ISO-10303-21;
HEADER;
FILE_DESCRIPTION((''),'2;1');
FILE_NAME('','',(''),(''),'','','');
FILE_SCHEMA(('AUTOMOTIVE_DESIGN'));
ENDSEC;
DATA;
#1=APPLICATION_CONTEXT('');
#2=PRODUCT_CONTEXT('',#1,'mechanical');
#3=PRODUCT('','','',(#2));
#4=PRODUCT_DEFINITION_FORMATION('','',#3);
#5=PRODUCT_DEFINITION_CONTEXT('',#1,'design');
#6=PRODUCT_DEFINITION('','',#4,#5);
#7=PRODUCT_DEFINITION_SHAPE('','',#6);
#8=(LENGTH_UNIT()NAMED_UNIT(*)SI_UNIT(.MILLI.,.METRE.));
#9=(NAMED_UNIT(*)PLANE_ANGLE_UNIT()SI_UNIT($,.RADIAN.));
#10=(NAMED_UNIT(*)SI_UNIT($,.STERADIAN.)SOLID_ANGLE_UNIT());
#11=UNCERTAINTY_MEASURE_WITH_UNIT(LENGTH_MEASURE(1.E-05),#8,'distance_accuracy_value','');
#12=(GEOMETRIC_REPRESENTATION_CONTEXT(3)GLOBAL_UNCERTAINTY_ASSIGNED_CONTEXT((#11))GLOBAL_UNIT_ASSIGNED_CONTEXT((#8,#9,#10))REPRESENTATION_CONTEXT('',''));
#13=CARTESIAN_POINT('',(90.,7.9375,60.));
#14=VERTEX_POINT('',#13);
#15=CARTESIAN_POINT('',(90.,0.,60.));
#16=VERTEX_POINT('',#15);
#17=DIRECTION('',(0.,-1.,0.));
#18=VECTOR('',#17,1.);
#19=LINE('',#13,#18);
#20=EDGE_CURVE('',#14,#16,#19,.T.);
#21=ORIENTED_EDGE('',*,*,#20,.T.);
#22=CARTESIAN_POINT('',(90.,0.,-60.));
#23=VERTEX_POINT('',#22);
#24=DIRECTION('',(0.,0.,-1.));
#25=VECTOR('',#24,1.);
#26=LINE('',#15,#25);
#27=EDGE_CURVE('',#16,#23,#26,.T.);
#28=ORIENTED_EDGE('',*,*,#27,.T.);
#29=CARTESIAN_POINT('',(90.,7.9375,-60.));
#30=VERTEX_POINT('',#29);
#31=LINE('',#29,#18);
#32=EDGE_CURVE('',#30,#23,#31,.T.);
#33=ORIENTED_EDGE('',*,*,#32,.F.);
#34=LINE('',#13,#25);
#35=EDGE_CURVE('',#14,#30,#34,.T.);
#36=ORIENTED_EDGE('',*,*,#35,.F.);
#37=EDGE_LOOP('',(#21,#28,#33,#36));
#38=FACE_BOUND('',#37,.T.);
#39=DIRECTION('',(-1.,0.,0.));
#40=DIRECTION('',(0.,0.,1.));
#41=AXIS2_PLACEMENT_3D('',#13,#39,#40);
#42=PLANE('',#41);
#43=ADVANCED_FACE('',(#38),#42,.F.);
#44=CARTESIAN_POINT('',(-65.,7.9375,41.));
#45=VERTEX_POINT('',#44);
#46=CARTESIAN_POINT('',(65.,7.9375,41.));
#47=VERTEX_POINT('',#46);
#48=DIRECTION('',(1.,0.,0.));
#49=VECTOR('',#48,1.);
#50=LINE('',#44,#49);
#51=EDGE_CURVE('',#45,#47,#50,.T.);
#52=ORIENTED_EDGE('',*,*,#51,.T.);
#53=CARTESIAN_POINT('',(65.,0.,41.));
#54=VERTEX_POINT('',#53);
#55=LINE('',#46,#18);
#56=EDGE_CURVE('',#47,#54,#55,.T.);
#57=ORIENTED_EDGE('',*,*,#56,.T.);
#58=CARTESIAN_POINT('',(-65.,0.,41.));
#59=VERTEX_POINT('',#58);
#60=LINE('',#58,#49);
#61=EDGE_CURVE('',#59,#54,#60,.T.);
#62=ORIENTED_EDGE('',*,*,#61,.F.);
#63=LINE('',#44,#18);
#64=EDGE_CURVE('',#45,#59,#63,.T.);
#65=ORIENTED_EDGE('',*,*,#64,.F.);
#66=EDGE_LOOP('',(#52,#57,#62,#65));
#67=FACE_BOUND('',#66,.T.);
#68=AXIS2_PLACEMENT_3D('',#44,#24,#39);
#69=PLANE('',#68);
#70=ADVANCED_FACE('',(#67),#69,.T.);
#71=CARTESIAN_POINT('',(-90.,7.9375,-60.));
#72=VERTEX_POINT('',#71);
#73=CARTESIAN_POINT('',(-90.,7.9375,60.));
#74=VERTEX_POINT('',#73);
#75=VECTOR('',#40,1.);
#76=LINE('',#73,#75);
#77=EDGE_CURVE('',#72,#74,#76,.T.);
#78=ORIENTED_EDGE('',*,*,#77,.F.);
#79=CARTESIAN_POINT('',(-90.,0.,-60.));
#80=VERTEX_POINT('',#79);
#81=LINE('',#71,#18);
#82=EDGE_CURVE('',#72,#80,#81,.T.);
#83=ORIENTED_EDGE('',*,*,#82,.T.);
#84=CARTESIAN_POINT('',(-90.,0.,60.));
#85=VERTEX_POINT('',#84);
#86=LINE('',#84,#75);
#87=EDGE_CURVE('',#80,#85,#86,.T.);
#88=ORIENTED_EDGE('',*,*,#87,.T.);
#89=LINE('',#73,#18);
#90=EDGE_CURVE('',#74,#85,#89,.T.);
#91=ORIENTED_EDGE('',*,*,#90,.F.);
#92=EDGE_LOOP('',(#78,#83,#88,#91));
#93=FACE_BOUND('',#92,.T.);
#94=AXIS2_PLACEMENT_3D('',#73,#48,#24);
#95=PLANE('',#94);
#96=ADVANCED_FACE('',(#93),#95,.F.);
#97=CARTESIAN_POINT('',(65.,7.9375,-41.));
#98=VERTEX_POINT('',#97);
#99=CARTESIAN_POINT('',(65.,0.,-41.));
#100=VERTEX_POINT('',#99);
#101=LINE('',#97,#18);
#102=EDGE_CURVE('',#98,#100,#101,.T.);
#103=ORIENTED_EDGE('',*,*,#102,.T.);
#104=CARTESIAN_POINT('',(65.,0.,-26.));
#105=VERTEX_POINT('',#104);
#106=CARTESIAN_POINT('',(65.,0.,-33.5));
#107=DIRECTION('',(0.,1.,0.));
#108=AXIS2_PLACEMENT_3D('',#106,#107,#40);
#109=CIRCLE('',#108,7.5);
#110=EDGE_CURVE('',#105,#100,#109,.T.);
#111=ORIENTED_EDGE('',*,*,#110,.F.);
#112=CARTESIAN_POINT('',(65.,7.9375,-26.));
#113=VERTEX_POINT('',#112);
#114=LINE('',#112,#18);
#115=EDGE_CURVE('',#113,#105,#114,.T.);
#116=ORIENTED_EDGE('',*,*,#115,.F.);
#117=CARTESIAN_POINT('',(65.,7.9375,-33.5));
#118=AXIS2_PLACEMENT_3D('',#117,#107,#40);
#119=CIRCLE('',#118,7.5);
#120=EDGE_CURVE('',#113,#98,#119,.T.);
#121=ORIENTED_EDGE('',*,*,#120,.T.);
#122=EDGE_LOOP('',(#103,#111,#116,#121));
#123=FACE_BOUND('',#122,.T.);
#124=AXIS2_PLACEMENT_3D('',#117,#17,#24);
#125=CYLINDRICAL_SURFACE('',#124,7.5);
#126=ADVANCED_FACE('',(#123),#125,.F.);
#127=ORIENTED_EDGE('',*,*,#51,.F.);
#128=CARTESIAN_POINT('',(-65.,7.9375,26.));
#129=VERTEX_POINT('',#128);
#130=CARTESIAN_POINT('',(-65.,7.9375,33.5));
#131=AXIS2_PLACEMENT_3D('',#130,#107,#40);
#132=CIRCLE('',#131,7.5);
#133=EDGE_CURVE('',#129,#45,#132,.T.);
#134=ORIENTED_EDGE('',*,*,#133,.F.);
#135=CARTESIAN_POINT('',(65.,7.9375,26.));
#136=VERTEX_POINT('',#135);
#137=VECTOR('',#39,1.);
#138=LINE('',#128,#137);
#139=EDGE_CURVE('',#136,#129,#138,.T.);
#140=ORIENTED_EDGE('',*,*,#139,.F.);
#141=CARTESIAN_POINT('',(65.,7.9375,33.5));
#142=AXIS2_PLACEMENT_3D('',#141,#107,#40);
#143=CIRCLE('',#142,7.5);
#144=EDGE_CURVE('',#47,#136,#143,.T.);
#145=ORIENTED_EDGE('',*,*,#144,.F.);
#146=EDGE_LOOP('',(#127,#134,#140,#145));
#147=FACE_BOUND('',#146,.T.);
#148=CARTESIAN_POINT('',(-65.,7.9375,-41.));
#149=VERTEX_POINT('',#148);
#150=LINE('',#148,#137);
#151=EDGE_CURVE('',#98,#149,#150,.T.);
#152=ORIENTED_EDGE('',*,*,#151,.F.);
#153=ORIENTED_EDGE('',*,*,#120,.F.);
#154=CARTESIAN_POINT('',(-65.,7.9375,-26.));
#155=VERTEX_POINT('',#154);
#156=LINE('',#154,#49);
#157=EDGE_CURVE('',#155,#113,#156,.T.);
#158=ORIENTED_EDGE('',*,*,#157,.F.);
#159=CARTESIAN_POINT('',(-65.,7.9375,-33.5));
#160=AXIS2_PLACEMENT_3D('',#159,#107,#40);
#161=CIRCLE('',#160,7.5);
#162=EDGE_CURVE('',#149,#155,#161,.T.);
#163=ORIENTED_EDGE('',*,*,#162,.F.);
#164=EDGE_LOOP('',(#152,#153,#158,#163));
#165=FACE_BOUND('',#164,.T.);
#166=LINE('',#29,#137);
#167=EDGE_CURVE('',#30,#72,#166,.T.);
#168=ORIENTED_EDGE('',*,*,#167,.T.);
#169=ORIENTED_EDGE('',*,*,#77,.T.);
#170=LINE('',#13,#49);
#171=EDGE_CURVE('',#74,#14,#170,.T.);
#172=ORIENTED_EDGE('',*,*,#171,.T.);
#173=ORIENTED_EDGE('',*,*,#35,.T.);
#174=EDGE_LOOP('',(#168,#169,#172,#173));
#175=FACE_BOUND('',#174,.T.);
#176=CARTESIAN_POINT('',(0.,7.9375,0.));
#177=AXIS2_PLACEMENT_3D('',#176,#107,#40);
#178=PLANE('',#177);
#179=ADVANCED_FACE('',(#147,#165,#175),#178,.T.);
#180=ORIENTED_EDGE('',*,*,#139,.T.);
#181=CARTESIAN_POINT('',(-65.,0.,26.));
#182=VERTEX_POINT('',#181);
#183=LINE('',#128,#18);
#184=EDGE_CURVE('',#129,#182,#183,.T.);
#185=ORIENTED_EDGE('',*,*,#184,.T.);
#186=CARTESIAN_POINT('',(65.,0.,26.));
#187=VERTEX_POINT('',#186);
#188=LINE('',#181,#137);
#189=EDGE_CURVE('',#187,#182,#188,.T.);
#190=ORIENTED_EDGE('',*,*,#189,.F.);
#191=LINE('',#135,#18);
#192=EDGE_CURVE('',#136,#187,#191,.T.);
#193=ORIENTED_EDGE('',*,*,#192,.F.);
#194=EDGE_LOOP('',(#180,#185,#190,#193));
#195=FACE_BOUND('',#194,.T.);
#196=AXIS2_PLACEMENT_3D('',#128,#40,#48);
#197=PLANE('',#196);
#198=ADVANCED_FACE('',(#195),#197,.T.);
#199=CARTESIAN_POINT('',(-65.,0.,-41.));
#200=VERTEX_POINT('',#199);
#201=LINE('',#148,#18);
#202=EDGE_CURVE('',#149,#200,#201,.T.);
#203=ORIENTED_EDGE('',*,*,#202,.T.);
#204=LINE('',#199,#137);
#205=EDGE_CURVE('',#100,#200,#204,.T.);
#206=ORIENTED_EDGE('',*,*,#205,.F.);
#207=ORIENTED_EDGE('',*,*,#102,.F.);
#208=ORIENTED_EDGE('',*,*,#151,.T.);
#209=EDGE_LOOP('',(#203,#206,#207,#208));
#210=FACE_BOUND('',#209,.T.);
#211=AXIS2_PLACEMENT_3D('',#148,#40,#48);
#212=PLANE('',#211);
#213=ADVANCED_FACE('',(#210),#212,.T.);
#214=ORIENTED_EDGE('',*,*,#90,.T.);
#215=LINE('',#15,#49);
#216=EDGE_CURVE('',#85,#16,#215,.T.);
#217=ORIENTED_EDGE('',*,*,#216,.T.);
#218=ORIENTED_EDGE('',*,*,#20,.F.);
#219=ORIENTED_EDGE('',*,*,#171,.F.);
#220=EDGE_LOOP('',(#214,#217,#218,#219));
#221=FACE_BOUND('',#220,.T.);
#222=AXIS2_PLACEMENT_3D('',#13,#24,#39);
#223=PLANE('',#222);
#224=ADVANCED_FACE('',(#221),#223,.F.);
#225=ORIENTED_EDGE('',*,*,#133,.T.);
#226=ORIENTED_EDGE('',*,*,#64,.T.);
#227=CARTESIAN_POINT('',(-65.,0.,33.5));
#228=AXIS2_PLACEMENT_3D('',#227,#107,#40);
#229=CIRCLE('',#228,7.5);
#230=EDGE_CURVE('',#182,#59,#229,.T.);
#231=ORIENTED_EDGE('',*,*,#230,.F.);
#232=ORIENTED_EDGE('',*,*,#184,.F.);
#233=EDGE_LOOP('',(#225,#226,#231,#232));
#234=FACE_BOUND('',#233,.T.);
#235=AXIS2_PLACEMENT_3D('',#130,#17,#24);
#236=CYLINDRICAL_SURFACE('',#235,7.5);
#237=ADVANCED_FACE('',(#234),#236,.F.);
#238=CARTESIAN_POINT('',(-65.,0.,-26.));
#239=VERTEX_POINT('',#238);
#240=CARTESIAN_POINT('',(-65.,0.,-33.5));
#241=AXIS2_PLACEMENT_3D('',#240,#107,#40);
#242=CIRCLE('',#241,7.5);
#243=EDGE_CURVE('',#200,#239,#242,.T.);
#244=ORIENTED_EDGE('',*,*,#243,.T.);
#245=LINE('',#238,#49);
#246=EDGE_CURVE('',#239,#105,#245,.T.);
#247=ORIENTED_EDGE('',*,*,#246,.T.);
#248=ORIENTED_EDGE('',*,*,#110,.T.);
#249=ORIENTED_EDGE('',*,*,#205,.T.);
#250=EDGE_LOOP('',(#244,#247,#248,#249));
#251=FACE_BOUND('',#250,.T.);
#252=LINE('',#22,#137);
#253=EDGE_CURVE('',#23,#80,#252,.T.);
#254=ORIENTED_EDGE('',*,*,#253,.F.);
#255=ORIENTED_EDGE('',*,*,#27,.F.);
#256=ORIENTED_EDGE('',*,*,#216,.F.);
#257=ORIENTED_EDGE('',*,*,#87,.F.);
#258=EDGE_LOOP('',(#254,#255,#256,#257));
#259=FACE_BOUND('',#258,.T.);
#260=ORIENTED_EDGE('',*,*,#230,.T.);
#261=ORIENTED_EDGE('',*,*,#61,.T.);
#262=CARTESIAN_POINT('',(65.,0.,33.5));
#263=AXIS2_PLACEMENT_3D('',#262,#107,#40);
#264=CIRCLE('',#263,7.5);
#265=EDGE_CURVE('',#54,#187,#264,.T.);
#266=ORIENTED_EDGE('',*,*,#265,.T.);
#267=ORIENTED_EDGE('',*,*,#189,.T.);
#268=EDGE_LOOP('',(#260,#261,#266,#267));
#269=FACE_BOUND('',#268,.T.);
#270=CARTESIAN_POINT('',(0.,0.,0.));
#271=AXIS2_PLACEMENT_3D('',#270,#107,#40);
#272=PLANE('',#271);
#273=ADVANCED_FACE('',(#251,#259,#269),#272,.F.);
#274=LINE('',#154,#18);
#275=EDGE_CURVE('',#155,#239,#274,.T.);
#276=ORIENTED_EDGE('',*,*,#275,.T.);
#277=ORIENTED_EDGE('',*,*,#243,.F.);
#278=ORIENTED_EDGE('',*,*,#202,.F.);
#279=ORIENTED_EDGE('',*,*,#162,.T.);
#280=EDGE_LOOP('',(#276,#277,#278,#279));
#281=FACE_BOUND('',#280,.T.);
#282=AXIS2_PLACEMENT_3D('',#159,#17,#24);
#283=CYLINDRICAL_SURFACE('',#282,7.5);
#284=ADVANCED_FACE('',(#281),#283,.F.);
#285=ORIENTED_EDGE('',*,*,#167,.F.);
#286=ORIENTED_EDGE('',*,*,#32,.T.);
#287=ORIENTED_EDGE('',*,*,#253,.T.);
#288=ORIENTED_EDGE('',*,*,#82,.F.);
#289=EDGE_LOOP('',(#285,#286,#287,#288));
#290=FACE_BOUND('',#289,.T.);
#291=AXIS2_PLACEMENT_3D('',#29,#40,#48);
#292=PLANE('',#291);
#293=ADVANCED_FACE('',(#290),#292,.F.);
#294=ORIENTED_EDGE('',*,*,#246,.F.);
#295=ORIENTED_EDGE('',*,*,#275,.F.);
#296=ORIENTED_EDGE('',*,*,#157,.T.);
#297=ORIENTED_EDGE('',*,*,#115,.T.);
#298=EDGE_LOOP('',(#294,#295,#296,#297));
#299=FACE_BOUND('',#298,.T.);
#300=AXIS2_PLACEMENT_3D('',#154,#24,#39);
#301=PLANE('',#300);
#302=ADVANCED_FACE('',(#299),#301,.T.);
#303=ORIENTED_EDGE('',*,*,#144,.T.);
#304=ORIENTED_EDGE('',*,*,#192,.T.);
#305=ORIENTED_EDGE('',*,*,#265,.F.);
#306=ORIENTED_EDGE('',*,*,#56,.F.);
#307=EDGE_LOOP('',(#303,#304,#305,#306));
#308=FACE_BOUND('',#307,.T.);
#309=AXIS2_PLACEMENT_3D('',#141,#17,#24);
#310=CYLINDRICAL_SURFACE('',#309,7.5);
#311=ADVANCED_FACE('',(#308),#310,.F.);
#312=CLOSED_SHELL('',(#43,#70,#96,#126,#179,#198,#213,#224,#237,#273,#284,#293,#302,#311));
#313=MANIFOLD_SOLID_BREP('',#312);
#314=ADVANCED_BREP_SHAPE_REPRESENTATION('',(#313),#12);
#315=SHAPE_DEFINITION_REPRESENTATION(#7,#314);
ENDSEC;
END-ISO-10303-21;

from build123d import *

# Parameters (mm, degrees)
CROQUIS1_W              = 180
CROQUIS1_H              = 120
SALIENTE_EXTRUIR1_DEPTH = 7.9375


with BuildPart() as part:
    # Croquis1 → Saliente-Extruir1 (new body)
    with BuildSketch(Plane(origin=(0, 0, 0), x_dir=(1, 0, 0), z_dir=(0, 1, 0))):
        Rectangle(CROQUIS1_W, CROQUIS1_H)
        with BuildLine():
            Line((-65, -26), (65, -26))
            ThreePointArc((65, -26), (72.5, -33.5), (65, -41))
            Line((65, -41), (-65, -41))
            ThreePointArc((-65, -41), (-72.5, -33.5), (-65, -26))
        make_face(mode=Mode.SUBTRACT)
        with BuildLine():
            Line((-65, 41), (65, 41))
            ThreePointArc((65, 41), (72.5, 33.5), (65, 26))
            Line((65, 26), (-65, 26))
            ThreePointArc((-65, 26), (-72.5, 33.5), (-65, 41))
        make_face(mode=Mode.SUBTRACT)
    extrude(amount=SALIENTE_EXTRUIR1_DEPTH)


solid = part.part
